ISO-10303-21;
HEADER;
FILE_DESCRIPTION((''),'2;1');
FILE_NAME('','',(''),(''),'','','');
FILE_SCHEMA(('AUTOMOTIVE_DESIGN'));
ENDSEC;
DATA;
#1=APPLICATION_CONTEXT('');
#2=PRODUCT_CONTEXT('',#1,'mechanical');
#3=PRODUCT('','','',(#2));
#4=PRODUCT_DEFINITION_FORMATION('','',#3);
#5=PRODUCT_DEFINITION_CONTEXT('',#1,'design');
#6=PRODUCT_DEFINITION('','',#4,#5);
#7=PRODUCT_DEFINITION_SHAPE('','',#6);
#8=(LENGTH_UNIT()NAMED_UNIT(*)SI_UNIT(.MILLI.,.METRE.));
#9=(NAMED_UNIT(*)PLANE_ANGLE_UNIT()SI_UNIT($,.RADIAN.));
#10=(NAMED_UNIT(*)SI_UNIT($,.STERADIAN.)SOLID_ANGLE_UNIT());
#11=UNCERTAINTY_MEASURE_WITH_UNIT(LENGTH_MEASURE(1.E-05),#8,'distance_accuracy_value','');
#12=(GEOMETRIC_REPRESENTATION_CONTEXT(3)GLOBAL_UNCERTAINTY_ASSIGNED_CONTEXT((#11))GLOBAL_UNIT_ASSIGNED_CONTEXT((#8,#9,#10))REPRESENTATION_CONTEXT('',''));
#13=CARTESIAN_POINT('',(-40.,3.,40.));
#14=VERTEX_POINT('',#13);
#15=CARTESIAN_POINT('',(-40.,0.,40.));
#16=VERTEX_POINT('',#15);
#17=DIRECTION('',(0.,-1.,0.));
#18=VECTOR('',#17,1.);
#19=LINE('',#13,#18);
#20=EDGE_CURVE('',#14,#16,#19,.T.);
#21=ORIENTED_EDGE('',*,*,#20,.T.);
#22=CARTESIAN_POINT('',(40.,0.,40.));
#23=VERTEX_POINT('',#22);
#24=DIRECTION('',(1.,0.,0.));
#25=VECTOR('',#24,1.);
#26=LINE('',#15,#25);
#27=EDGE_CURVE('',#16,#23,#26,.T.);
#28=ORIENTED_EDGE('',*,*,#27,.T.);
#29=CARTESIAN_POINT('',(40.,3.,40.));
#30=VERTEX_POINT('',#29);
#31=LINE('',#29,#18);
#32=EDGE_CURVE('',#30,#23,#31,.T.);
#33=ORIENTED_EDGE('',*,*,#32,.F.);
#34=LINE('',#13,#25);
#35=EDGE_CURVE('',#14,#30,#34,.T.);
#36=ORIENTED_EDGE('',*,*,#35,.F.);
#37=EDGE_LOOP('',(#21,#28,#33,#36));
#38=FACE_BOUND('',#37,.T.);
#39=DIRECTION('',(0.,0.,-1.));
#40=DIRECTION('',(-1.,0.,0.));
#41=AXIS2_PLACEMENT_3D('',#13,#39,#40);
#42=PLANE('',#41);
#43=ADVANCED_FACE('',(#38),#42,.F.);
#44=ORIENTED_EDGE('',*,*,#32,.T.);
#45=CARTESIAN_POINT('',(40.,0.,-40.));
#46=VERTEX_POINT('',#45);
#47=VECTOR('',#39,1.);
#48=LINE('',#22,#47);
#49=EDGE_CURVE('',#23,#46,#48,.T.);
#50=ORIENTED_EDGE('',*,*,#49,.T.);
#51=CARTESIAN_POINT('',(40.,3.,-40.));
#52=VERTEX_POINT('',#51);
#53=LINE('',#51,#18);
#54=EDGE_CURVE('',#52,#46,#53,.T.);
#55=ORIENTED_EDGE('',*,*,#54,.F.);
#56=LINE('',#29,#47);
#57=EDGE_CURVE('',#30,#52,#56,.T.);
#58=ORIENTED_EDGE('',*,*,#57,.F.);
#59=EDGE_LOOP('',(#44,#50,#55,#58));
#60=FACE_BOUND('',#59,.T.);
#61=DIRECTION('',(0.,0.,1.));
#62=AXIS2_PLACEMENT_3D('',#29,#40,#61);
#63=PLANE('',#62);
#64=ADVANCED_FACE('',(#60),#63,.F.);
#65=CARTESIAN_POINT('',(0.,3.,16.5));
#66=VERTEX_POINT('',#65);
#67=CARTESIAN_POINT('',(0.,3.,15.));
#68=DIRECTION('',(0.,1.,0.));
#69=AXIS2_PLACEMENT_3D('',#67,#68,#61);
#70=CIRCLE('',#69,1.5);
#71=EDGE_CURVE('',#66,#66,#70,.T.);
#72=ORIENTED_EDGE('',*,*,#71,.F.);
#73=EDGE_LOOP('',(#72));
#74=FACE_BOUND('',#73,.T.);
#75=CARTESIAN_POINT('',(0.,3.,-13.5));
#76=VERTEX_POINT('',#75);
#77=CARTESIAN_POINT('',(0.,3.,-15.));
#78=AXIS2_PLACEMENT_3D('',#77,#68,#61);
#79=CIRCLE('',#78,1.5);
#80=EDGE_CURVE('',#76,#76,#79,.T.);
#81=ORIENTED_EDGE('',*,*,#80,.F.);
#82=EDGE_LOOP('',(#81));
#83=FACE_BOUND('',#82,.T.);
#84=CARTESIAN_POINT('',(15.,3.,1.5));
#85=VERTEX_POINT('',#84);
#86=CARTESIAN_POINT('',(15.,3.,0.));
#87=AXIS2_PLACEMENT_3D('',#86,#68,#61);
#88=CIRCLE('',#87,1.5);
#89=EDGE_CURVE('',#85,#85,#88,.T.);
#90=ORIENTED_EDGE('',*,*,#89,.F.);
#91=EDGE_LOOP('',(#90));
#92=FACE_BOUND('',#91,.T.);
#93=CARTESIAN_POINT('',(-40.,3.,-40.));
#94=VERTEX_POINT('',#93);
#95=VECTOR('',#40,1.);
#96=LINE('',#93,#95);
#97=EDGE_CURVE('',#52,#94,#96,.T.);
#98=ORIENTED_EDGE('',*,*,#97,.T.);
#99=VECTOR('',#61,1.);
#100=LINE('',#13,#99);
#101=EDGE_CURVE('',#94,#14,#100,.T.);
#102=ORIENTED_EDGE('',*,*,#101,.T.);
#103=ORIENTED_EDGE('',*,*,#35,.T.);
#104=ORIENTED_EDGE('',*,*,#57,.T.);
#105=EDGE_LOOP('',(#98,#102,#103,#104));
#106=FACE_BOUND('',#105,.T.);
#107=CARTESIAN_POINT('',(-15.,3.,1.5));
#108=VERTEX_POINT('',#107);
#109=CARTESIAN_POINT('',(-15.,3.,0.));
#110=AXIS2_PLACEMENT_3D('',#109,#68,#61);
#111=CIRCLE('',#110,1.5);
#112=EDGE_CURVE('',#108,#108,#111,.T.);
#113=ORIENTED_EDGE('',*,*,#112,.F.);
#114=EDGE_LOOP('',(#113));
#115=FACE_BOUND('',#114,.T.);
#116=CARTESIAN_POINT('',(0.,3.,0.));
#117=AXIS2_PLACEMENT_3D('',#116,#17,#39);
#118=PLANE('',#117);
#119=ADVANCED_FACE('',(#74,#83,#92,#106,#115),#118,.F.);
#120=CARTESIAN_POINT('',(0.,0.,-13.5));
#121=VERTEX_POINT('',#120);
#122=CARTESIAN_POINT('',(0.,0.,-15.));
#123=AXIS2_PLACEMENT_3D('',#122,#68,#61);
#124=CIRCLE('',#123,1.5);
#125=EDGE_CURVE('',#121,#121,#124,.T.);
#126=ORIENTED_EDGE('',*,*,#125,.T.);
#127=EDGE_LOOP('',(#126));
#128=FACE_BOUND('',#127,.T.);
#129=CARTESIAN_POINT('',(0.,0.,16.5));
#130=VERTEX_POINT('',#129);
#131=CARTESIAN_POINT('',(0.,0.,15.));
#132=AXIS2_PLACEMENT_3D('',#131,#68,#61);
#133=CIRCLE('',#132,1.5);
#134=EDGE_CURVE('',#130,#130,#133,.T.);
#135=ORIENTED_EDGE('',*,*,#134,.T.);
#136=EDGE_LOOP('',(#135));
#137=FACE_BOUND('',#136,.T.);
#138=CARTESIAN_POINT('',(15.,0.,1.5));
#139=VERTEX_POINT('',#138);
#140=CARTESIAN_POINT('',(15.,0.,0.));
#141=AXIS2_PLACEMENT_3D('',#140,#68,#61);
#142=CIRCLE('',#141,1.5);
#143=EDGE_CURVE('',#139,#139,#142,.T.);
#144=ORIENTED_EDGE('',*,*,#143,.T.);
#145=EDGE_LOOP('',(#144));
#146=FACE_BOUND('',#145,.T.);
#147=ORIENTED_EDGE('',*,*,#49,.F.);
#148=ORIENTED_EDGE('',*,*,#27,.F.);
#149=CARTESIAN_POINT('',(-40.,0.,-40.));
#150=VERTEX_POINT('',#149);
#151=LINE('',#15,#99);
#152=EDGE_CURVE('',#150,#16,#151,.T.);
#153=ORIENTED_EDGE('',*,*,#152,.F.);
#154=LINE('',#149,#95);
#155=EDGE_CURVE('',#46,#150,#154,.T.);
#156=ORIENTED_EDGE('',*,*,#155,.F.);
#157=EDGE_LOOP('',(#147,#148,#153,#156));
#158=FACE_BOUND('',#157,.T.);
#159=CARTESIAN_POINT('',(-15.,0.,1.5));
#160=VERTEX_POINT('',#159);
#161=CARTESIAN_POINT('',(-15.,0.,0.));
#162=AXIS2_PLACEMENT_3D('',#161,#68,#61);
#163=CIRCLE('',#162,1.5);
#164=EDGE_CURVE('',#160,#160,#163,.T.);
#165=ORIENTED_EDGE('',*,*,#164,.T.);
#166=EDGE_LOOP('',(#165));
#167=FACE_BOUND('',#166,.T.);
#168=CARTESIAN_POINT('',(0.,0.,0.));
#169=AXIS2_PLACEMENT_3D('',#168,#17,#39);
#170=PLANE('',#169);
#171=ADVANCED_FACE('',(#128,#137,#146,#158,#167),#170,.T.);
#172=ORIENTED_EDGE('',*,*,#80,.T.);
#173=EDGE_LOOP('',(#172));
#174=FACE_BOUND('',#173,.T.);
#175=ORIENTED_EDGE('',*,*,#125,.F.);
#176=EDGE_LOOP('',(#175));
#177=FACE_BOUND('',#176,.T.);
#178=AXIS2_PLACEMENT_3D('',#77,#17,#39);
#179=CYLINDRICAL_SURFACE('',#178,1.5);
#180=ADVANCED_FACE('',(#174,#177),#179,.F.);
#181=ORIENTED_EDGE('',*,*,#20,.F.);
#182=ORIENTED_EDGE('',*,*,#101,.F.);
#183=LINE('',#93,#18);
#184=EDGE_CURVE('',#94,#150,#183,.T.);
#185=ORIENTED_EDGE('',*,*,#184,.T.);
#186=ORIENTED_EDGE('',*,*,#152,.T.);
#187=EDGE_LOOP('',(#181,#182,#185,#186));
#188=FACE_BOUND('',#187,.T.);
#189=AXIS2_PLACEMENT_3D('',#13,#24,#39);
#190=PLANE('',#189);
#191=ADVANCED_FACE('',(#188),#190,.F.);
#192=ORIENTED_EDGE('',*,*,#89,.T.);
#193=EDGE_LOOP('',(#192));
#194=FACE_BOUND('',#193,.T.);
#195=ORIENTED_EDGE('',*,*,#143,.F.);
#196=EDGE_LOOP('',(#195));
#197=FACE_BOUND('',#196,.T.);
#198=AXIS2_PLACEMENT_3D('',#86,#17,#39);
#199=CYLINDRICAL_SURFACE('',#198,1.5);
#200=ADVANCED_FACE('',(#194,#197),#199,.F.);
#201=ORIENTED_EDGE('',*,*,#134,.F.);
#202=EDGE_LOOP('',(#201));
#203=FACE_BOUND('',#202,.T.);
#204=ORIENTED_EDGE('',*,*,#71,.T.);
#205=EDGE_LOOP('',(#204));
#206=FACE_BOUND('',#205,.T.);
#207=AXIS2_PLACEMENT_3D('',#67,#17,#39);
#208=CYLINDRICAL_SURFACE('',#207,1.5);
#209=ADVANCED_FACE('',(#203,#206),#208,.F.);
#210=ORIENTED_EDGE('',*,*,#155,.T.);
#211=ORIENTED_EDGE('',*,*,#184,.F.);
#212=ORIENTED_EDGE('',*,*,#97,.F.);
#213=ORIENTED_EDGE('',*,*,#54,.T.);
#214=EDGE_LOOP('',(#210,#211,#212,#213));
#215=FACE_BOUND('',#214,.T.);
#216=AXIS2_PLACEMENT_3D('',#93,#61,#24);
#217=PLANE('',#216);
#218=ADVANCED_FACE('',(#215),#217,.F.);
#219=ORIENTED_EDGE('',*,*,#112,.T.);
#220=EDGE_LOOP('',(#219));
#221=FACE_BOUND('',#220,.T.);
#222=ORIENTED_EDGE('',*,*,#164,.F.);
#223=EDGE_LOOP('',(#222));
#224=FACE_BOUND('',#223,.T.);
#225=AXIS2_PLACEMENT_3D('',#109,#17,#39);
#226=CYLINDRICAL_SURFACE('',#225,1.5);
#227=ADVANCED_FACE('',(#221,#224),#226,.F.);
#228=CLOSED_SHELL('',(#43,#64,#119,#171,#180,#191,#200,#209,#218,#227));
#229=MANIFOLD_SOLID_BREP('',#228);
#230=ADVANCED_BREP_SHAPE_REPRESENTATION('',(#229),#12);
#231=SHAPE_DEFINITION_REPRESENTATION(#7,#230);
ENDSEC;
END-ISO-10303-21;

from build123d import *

# Parameters (mm, degrees)
SKETCH_1_W      = 80
SKETCH_1_H      = 80
SKETCH_1_R      = 1.5
EXTRUDE_1_DEPTH = 3


with BuildPart() as part:
    # 草图1 → 凸台-拉伸1 (new body)
    with BuildSketch(Plane(origin=(0, 0, 0), x_dir=(1, 0, 0), z_dir=(0, 1, 0))):
        Rectangle(SKETCH_1_W, SKETCH_1_H)
        with Locations((0, 15)):
            Circle(SKETCH_1_R, mode=Mode.SUBTRACT)
        with Locations((15, 0)):
            Circle(SKETCH_1_R, mode=Mode.SUBTRACT)
        with Locations((0, -15)):
            Circle(SKETCH_1_R, mode=Mode.SUBTRACT)
        with Locations((-15, 0)):
            Circle(SKETCH_1_R, mode=Mode.SUBTRACT)
    extrude(amount=EXTRUDE_1_DEPTH)


solid = part.part
